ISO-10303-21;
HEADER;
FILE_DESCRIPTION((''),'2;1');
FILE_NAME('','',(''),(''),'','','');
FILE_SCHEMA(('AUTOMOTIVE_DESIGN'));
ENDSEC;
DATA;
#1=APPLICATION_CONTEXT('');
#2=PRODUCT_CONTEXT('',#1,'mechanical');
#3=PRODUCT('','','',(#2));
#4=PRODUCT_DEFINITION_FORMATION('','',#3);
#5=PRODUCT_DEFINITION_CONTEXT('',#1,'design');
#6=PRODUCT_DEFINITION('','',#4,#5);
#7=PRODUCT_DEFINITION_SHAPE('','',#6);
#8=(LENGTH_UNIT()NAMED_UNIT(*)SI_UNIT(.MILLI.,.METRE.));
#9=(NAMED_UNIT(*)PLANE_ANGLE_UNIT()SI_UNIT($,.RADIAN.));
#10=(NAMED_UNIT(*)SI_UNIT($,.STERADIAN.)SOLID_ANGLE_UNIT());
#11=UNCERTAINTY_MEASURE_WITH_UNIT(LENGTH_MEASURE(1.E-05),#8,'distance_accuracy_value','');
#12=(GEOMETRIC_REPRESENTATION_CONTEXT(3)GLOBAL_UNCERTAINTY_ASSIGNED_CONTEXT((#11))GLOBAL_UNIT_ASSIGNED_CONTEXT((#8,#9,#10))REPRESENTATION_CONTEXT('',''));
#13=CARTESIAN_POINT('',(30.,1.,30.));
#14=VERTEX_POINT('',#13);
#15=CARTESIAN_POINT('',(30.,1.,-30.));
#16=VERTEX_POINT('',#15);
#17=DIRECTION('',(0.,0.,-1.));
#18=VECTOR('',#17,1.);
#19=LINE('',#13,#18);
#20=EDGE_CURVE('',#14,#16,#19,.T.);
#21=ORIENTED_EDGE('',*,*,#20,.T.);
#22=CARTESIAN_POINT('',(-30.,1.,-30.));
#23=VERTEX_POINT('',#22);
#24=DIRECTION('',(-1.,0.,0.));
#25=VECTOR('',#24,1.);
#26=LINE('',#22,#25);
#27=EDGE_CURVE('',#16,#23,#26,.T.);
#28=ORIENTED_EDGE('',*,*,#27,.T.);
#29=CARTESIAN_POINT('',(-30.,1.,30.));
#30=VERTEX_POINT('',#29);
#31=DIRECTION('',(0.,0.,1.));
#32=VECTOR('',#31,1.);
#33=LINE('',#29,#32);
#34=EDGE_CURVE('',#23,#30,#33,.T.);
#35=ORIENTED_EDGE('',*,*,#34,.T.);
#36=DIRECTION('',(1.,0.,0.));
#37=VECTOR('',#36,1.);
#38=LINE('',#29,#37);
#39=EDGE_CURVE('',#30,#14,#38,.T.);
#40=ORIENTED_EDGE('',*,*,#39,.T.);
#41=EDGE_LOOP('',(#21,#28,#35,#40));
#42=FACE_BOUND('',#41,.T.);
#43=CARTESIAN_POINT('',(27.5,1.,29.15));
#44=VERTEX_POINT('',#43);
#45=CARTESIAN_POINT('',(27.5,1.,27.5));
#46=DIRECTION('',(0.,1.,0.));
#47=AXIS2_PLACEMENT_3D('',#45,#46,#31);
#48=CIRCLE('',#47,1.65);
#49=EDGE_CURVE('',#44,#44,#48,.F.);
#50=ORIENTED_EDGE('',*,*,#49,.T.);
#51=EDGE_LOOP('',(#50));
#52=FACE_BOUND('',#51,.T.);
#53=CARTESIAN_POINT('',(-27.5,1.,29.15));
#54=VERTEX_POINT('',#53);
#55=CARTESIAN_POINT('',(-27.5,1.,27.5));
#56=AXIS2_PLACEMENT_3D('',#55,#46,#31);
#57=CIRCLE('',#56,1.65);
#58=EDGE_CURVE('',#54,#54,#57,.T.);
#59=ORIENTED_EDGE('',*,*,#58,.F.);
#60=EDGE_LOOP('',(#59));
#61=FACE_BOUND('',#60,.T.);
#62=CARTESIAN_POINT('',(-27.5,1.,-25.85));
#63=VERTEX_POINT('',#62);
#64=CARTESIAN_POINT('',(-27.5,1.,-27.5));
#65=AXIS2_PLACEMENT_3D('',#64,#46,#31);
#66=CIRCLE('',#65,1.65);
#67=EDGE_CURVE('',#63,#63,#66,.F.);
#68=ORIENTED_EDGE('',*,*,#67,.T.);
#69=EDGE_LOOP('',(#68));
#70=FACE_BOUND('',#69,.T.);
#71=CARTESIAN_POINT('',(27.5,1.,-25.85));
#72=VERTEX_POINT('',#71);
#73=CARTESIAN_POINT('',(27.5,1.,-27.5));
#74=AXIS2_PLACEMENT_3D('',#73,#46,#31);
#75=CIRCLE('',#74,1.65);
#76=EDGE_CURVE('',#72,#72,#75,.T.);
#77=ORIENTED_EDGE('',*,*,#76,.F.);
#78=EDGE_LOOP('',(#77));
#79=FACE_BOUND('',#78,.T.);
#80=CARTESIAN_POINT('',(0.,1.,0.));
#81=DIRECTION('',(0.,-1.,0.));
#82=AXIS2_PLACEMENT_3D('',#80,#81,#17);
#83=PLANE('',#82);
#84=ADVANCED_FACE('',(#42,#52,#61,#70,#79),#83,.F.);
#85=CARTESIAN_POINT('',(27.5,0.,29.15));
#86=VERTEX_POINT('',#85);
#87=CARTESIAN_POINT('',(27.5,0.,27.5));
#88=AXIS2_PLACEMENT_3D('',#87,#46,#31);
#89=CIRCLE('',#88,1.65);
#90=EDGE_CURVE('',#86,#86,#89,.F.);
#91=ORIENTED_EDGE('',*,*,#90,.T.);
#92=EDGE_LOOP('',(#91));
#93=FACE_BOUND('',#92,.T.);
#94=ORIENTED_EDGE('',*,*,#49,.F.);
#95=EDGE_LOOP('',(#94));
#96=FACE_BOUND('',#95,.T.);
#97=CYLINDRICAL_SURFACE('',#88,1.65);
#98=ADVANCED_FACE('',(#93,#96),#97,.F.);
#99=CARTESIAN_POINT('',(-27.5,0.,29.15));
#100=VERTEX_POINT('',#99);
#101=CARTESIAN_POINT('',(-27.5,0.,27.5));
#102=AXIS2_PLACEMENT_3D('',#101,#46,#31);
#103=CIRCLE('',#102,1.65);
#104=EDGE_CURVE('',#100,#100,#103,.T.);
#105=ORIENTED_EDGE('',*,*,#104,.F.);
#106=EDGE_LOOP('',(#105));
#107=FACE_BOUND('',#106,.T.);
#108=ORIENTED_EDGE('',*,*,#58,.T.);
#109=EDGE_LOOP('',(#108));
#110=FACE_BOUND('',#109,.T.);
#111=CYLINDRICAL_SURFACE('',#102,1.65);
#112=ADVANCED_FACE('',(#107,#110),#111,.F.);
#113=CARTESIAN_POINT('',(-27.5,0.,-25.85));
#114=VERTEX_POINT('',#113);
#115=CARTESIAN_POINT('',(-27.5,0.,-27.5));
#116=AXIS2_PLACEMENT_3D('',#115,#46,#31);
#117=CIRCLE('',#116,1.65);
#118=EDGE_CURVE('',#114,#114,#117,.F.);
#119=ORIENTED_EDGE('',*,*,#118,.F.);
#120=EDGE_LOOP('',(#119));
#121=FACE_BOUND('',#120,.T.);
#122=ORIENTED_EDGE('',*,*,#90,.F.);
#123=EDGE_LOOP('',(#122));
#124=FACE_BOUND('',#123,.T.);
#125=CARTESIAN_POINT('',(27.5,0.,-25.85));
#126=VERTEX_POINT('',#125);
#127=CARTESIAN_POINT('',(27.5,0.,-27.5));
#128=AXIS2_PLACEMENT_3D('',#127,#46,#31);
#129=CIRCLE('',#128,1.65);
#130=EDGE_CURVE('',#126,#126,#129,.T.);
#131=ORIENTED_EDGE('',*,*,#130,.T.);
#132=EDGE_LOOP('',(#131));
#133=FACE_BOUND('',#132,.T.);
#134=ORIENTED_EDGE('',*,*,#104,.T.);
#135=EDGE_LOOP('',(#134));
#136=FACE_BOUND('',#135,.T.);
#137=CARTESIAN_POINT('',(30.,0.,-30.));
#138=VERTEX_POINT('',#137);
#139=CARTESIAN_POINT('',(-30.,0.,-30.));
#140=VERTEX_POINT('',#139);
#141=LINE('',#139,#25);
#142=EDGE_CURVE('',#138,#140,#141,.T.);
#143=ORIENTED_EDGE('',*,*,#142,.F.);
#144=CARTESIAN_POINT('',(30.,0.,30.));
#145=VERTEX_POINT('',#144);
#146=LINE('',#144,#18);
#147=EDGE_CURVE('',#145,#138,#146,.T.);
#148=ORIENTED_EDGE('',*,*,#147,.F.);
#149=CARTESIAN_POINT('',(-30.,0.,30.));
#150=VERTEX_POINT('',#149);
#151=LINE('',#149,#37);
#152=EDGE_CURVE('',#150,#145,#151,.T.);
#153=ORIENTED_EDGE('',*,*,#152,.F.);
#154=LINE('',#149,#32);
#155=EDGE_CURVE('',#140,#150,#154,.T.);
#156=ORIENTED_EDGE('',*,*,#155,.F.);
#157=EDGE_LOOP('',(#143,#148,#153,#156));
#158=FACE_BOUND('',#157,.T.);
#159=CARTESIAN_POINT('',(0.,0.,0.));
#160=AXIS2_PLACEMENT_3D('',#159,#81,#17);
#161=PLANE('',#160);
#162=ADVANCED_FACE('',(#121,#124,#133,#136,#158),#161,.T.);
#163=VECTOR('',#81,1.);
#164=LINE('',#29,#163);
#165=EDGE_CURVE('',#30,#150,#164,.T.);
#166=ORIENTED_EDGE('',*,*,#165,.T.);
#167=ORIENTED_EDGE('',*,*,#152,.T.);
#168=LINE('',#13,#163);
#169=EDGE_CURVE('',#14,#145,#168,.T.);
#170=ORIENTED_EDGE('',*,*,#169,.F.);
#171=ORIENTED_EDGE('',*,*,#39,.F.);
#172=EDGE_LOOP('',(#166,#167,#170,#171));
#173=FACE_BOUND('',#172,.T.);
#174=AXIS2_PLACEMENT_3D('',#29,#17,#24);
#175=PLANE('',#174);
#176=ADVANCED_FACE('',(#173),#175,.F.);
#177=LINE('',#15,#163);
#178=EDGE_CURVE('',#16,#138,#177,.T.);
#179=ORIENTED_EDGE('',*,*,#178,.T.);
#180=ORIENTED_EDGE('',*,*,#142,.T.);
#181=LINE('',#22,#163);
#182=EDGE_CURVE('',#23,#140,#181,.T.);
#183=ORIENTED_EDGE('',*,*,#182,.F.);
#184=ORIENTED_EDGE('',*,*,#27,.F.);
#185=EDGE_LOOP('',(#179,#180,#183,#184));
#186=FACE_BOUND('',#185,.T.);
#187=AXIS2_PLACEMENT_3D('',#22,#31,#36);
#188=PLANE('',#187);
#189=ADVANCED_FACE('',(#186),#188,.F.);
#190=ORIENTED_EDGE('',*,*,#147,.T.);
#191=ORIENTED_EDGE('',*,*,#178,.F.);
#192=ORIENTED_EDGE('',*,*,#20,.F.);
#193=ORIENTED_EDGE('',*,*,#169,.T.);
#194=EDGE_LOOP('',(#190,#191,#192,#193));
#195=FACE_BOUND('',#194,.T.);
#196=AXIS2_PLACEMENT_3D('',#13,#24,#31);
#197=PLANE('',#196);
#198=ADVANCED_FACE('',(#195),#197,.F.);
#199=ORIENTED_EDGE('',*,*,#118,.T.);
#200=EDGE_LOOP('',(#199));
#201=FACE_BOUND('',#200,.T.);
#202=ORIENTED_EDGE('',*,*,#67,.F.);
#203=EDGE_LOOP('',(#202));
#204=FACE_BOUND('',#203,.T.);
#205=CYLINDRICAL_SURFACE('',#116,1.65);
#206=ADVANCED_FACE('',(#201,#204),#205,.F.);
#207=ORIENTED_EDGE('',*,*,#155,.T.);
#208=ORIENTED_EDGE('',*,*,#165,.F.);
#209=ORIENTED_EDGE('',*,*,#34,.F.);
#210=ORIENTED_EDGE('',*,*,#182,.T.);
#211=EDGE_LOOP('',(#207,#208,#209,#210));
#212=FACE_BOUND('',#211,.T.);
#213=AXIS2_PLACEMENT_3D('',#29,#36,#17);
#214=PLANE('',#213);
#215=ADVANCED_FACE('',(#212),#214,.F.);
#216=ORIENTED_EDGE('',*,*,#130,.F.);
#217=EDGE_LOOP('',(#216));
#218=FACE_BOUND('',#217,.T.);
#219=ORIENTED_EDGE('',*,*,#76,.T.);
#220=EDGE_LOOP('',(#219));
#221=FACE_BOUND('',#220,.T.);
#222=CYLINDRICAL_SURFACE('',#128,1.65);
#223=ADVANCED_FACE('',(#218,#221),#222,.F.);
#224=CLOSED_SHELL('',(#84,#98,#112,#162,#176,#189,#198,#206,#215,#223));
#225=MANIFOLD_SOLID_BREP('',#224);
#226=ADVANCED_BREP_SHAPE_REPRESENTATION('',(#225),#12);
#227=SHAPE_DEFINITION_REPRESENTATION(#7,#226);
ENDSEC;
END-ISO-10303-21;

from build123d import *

# Parameters (mm, degrees)
CROQUIS1_W              = 60
CROQUIS1_H              = 60
SALIENTE_EXTRUIR1_DEPTH = 1
CROQUIS3_R              = 1.65
CORTAR_EXTRUIR1_DEPTH   = 43.438190348


with BuildPart() as part:
    # Croquis1 → Saliente-Extruir1 (new body)
    with BuildSketch(Plane(origin=(0, 0, 0), x_dir=(1, 0, 0), z_dir=(0, 1, 0))):
        Rectangle(CROQUIS1_W, CROQUIS1_H)
    extrude(amount=SALIENTE_EXTRUIR1_DEPTH)

    # Croquis3 → Cortar-Extruir1 (cut, through all)
    with BuildSketch(Plane(origin=(0, 1, 0), x_dir=(1, 0, 0), z_dir=(0, 1, 0))):
        with Locations(Location((-27.5, 27.5, 0), (0, 0, 270))):
            Circle(CROQUIS3_R)
        with Locations(Location((27.5, 27.5, 0), (0, 0, 270))):
            Circle(CROQUIS3_R)
        with Locations(Location((27.5, -27.5, 0), (0, 0, 270))):
            Circle(CROQUIS3_R)
        with Locations(Location((-27.5, -27.5, 0), (0, 0, 270))):
            Circle(CROQUIS3_R)
    extrude(amount=-CORTAR_EXTRUIR1_DEPTH, mode=Mode.SUBTRACT)


solid = part.part
